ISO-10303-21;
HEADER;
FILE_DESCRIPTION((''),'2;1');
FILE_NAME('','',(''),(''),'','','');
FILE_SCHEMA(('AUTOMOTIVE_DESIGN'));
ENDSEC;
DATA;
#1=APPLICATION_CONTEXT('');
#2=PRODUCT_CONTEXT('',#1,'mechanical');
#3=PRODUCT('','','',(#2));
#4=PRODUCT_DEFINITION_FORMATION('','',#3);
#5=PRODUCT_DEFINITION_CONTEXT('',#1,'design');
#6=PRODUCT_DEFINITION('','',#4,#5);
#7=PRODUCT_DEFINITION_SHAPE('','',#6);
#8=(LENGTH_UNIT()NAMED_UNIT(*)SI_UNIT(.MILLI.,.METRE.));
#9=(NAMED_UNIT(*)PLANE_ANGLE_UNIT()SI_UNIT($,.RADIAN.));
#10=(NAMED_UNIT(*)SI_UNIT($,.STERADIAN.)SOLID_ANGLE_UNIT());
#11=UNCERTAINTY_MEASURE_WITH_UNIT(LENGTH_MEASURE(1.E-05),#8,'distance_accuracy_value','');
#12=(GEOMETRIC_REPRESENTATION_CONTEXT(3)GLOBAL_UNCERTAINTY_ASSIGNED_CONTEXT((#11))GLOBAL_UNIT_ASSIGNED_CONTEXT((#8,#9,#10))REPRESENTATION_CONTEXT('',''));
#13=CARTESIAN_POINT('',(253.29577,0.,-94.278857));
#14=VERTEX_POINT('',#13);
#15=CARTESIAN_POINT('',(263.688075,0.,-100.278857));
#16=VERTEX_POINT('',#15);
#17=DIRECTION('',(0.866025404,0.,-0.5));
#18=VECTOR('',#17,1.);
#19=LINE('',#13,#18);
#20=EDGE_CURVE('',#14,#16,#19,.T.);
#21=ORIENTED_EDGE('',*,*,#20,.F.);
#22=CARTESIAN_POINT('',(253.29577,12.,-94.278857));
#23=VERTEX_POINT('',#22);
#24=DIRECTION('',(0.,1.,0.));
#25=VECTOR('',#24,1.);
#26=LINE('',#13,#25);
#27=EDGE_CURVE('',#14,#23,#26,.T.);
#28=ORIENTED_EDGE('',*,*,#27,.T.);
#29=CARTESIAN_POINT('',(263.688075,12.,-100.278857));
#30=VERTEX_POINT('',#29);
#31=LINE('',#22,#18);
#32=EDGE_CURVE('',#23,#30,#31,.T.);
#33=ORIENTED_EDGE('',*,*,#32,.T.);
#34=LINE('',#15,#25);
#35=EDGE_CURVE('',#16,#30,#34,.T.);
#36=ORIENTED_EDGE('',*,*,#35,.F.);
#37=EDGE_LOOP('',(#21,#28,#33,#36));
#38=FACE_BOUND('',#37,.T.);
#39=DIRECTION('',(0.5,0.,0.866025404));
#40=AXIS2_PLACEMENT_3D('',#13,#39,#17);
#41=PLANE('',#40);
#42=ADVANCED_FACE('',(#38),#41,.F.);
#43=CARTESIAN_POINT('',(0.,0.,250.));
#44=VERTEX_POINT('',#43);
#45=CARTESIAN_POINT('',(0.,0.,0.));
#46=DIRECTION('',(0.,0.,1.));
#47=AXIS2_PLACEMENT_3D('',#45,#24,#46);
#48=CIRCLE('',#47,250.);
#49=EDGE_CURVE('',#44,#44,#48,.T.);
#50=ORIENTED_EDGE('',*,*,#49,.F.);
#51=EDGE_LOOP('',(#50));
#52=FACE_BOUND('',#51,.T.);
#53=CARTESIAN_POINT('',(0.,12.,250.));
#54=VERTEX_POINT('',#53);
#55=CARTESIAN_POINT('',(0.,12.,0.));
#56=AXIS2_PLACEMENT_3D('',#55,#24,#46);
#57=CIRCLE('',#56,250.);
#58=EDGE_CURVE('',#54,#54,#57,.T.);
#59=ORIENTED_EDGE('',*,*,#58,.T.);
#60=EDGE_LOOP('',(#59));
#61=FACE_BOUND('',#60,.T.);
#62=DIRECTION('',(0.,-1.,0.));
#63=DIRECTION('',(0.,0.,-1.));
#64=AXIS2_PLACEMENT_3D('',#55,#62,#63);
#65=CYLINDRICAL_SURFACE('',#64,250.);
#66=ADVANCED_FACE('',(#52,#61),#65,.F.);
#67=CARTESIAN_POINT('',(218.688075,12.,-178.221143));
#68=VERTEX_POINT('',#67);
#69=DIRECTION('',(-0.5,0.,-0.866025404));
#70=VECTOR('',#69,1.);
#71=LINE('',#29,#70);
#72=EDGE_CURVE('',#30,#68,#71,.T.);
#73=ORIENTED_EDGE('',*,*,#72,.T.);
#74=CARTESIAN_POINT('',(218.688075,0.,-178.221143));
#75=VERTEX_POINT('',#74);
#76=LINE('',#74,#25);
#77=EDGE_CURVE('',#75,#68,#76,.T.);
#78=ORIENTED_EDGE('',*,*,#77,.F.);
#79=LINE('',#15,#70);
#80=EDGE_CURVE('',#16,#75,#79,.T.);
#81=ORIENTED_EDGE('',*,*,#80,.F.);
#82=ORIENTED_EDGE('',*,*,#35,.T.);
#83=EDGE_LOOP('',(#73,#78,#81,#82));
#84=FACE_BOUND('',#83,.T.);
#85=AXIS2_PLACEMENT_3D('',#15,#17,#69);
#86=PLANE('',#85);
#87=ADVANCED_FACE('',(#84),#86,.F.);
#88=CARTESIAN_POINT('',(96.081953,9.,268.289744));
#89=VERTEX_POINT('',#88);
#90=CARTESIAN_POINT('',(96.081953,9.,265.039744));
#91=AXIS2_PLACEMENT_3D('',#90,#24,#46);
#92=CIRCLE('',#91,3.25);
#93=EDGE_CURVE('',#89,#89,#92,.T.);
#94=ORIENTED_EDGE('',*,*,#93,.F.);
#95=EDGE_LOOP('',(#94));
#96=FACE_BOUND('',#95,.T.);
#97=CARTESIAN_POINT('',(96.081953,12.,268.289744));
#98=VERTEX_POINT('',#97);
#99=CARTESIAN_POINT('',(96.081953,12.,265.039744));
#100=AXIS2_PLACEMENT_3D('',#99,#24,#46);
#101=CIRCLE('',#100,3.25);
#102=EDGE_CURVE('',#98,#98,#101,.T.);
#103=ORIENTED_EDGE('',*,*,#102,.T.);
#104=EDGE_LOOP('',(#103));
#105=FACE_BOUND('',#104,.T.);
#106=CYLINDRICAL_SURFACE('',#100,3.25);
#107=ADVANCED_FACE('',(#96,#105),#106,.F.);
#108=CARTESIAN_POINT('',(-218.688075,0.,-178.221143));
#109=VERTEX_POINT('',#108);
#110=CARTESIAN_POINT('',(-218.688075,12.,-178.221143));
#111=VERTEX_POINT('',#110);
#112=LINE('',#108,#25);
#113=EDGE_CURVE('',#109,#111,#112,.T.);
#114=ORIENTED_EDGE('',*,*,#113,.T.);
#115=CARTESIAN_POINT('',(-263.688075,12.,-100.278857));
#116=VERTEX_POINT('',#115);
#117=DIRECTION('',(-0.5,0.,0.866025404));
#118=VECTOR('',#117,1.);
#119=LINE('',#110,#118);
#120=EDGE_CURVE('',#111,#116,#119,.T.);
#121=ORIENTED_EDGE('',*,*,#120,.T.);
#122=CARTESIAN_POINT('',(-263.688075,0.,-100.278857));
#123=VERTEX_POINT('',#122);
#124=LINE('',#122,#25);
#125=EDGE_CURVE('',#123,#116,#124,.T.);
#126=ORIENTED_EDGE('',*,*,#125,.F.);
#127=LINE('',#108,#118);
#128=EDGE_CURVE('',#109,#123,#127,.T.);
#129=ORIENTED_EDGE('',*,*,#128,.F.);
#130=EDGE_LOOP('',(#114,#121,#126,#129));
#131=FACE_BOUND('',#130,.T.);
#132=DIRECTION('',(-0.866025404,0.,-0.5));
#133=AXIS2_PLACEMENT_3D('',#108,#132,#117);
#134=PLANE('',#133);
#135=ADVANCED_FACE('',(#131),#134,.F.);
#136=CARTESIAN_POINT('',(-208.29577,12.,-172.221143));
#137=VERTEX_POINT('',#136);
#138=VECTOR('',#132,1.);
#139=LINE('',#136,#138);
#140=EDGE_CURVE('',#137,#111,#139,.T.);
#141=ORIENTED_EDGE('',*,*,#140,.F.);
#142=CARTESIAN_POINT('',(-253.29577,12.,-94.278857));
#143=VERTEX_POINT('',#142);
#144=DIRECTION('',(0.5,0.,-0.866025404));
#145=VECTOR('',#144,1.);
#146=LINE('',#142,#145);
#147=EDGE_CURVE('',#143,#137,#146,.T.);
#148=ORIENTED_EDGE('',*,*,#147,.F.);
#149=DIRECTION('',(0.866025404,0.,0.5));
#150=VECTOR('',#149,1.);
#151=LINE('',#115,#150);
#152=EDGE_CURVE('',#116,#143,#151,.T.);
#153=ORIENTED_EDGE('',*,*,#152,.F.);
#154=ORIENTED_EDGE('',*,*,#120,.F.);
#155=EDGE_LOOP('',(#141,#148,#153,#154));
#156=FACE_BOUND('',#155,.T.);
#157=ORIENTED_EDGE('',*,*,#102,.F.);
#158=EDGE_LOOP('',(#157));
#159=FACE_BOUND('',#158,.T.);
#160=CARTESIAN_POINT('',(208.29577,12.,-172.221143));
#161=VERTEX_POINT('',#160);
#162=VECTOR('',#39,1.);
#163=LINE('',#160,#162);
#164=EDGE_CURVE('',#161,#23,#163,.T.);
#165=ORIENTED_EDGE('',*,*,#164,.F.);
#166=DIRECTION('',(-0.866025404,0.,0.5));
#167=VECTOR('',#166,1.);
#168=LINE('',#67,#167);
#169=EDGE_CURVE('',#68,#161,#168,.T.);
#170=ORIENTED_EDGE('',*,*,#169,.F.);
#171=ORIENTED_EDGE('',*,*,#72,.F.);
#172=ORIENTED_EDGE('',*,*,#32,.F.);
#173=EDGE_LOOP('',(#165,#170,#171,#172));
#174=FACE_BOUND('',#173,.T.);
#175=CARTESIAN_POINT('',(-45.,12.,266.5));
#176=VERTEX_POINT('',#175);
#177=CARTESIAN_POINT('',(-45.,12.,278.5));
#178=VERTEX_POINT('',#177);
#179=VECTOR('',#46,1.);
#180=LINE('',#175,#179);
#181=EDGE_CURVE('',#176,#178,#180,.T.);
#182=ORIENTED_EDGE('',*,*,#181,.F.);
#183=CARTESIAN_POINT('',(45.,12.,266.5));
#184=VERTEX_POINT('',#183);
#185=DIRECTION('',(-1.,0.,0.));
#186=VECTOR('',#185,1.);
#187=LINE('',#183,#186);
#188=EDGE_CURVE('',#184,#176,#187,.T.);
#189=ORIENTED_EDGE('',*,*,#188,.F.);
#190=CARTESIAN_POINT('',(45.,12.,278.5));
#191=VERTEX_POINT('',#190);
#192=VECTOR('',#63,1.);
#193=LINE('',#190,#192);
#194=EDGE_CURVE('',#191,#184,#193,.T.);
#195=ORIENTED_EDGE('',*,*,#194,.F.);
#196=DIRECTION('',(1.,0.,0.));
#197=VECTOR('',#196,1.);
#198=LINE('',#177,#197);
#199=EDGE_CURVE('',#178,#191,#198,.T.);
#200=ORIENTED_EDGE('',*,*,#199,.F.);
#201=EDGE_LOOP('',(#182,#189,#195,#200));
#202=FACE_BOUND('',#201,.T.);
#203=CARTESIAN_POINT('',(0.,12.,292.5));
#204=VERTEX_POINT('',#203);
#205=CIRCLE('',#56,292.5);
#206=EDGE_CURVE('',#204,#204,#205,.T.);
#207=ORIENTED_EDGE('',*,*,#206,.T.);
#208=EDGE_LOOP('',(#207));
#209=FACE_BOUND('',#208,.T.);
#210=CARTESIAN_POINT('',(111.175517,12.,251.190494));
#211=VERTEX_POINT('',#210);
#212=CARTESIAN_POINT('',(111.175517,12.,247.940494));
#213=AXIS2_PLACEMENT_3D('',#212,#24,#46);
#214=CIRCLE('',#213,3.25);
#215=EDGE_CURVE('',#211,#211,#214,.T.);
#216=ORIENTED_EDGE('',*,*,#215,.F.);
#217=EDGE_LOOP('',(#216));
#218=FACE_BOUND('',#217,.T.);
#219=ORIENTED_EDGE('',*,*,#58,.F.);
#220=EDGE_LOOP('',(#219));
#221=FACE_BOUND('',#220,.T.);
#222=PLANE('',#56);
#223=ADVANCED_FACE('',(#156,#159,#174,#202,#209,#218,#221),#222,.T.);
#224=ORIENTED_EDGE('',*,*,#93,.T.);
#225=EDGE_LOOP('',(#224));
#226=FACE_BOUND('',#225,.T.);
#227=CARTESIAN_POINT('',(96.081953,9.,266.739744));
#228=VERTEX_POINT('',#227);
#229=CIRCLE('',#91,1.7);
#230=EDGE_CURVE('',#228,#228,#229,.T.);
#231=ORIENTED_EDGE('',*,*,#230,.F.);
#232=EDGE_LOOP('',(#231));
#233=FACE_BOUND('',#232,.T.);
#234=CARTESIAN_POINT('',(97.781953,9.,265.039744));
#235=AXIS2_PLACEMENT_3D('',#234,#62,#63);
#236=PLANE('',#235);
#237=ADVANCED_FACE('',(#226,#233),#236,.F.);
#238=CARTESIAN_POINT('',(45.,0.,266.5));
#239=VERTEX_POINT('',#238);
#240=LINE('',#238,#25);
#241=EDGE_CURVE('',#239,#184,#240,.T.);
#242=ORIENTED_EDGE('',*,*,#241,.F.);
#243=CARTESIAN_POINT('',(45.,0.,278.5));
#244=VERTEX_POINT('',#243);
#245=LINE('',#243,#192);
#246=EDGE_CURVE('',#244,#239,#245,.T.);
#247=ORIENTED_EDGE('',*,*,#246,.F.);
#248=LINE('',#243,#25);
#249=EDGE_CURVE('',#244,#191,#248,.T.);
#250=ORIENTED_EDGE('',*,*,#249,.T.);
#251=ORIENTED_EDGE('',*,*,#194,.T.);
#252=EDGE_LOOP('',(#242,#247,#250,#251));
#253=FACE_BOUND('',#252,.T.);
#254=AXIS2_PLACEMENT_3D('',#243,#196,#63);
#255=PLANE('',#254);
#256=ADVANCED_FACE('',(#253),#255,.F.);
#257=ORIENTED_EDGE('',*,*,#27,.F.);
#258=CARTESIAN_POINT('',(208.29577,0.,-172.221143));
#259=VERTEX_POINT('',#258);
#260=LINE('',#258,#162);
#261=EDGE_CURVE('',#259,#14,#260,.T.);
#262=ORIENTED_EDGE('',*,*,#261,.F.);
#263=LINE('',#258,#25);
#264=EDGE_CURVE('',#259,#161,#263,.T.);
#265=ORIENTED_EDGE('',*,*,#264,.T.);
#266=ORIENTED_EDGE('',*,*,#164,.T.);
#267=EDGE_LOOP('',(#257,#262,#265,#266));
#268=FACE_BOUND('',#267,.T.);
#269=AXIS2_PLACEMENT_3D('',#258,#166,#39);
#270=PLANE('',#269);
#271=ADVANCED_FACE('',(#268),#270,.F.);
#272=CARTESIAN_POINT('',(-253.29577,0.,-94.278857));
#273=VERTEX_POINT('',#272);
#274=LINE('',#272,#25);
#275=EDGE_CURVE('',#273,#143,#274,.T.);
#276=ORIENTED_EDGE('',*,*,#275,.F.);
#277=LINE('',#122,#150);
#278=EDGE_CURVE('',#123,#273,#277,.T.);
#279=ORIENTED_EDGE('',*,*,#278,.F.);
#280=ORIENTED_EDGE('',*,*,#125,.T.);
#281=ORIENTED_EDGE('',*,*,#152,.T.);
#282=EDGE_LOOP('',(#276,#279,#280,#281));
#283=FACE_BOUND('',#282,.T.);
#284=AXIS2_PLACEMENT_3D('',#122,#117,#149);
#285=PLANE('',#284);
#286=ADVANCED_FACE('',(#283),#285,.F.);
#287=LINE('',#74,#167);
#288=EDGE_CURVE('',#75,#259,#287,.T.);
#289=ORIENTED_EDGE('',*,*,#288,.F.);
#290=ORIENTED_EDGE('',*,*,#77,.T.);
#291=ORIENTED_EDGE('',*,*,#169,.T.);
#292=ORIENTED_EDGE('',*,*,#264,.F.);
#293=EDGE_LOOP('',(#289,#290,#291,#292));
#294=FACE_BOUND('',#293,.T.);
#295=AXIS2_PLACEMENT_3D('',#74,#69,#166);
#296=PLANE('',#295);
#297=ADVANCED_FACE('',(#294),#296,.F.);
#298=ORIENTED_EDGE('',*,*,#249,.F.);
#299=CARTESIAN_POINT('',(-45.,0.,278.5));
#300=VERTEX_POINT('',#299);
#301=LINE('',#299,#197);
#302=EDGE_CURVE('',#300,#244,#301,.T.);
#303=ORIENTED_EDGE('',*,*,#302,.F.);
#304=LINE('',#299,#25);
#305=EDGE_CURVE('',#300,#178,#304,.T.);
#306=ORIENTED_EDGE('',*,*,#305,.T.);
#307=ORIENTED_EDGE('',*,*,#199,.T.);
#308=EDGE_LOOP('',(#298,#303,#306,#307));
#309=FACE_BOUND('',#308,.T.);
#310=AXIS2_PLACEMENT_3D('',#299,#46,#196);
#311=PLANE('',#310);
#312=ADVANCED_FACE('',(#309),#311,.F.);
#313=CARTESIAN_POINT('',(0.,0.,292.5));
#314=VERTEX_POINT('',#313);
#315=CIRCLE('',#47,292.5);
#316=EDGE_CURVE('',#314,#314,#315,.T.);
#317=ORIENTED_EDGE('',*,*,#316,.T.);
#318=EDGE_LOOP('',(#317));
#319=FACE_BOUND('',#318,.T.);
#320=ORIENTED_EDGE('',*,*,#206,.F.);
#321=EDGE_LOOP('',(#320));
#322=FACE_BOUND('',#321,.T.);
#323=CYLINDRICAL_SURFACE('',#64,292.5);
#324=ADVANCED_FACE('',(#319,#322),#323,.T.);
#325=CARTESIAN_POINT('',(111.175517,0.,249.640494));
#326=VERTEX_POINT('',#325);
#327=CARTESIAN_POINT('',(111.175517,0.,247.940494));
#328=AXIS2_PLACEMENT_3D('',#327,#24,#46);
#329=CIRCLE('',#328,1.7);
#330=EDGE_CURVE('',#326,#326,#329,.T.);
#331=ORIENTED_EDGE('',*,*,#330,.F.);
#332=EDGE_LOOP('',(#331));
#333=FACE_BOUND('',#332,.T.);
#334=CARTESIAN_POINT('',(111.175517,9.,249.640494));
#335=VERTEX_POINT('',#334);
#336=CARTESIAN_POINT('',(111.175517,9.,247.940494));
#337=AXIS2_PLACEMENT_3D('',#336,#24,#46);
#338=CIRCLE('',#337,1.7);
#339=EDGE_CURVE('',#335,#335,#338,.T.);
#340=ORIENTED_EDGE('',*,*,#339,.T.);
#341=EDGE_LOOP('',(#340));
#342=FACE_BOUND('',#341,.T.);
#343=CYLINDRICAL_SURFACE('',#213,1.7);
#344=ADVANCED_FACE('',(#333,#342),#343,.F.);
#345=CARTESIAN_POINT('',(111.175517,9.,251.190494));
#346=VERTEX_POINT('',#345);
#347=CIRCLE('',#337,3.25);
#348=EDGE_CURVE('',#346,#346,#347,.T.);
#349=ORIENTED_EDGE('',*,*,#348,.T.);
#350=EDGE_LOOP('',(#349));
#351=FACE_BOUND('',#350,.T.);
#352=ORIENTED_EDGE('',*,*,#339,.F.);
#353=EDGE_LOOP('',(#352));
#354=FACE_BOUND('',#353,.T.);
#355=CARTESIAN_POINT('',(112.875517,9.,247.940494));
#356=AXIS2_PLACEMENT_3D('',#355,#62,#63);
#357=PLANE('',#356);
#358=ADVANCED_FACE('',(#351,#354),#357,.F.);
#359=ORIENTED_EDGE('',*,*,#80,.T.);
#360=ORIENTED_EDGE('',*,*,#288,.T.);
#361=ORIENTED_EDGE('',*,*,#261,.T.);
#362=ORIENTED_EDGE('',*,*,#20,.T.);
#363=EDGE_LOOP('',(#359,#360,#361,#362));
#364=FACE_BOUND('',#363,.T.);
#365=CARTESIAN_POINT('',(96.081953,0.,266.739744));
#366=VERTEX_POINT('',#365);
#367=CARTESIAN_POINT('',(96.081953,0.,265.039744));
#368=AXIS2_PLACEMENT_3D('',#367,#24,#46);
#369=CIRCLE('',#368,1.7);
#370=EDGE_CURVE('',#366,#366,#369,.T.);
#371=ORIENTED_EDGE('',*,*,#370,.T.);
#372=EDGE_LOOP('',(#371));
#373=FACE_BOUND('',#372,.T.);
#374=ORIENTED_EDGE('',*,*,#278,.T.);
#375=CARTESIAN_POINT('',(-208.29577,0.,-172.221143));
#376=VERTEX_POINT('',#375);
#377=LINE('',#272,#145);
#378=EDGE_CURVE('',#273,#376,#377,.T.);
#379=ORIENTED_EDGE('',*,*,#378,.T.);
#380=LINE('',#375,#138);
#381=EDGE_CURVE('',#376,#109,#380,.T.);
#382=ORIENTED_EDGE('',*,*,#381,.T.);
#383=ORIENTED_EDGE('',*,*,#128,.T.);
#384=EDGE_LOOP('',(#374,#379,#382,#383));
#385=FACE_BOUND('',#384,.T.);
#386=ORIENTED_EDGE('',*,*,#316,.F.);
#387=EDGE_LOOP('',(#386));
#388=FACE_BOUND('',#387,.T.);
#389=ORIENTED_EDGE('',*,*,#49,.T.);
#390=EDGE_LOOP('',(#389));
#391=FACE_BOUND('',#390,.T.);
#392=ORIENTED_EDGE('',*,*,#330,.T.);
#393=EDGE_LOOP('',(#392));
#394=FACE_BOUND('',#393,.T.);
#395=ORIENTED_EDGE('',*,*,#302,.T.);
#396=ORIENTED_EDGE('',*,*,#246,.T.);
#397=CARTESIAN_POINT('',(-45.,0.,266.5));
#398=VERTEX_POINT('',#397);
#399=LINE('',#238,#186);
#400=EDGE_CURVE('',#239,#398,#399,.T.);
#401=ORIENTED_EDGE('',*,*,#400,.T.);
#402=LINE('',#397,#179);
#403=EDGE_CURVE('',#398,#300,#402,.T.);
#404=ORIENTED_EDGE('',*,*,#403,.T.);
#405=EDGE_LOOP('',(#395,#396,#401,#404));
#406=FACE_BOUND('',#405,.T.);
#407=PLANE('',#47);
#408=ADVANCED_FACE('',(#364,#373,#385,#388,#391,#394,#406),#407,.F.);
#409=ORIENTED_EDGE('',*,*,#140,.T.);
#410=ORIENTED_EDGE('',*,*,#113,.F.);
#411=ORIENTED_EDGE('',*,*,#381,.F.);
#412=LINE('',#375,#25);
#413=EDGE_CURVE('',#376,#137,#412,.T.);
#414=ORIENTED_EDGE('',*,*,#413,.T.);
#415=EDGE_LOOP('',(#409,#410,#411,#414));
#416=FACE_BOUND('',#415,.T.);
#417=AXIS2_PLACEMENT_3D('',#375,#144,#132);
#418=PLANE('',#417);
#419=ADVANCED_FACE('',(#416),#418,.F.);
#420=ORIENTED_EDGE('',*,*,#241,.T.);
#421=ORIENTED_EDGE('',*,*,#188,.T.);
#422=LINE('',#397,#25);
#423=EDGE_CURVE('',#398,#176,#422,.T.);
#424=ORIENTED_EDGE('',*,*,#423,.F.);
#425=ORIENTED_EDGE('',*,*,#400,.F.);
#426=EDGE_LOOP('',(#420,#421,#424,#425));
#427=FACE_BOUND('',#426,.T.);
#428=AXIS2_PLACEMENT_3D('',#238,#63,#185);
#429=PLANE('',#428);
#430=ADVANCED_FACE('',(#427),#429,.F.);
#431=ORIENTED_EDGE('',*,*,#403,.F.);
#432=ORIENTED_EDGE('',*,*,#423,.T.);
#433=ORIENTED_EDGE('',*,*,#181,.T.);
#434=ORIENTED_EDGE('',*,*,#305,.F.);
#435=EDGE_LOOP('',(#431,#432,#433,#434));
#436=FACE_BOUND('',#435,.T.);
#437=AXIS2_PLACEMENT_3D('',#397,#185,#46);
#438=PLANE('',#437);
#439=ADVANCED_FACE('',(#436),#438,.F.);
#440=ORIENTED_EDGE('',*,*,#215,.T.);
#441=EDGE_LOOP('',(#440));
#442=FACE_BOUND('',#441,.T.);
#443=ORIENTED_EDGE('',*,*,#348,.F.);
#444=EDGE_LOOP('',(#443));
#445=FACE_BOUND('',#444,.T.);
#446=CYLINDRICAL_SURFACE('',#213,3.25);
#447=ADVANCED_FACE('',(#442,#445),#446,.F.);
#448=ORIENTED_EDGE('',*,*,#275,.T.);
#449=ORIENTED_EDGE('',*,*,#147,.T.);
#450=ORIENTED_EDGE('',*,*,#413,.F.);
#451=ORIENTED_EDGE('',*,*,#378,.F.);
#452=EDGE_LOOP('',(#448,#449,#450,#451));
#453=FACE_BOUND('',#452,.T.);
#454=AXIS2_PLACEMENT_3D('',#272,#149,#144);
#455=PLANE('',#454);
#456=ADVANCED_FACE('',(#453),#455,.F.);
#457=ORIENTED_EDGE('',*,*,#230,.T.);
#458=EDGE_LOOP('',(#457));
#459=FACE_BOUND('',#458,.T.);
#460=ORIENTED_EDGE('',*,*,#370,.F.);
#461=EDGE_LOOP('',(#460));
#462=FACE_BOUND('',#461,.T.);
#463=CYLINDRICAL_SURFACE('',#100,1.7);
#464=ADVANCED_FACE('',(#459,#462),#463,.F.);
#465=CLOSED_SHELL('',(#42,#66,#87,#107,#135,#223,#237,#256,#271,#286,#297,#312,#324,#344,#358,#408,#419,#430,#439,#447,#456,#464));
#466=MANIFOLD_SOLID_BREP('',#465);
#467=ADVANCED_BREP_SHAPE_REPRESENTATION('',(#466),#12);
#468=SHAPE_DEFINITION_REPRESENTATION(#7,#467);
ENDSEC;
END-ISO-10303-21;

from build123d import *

# Parameters (mm, degrees)
SKETCH1_R                      = 292.5
SKETCH1_R_2                    = 250
BOSS_EXTRUDE1_DEPTH            = 12
SKETCH2_W                      = 90
SKETCH2_H                      = 12
CUT_EXTRUDE1_DEPTH             = 12
CIRPATTERN1_COUNT              = 3
CBORE_FOR_M3_SHCS1_D           = 3.4
CBORE_FOR_M3_SHCS1_CBORE_D     = 6.5
CBORE_FOR_M3_SHCS1_CBORE_DEPTH = 3


with BuildPart() as part:
    # Sketch1 → Boss-Extrude1 (new body)
    with BuildSketch(Plane(origin=(0, 0, 0), x_dir=(1, 0, 0), z_dir=(0, 1, 0))):
        Circle(SKETCH1_R)
        Circle(SKETCH1_R_2, mode=Mode.SUBTRACT)
    extrude(amount=BOSS_EXTRUDE1_DEPTH)

    # Sketch2 → Cut-Extrude1 (cut)
    with BuildSketch(Plane(origin=(0, 12, 0), x_dir=(1, 0, 0), z_dir=(0, 1, 0))):
        with Locations((0, -272.5)):
            Rectangle(SKETCH2_W, SKETCH2_H)
    cut_extrude1 = extrude(amount=-CUT_EXTRUDE1_DEPTH, mode=Mode.SUBTRACT)

    # CirPattern1: Cut-Extrude1 ×3 about axis
    cirpattern1_axis = Axis((0, 0, 0), (0, 1, 0))
    for i in range(1, CIRPATTERN1_COUNT):
        add(cut_extrude1.rotate(cirpattern1_axis, i * 360 / CIRPATTERN1_COUNT), mode=Mode.SUBTRACT)

    # CBORE for M3 SHCS1 (through all)
    with Locations(Plane(origin=(0, 12, 0), x_dir=(1, 0, 0), z_dir=(0, 1, 0))):
        with Locations((111.175516554, -247.940494387), (96.081953174, -265.03974421)):
            CounterBoreHole(CBORE_FOR_M3_SHCS1_D / 2, CBORE_FOR_M3_SHCS1_CBORE_D / 2, CBORE_FOR_M3_SHCS1_CBORE_DEPTH)


solid = part.part
